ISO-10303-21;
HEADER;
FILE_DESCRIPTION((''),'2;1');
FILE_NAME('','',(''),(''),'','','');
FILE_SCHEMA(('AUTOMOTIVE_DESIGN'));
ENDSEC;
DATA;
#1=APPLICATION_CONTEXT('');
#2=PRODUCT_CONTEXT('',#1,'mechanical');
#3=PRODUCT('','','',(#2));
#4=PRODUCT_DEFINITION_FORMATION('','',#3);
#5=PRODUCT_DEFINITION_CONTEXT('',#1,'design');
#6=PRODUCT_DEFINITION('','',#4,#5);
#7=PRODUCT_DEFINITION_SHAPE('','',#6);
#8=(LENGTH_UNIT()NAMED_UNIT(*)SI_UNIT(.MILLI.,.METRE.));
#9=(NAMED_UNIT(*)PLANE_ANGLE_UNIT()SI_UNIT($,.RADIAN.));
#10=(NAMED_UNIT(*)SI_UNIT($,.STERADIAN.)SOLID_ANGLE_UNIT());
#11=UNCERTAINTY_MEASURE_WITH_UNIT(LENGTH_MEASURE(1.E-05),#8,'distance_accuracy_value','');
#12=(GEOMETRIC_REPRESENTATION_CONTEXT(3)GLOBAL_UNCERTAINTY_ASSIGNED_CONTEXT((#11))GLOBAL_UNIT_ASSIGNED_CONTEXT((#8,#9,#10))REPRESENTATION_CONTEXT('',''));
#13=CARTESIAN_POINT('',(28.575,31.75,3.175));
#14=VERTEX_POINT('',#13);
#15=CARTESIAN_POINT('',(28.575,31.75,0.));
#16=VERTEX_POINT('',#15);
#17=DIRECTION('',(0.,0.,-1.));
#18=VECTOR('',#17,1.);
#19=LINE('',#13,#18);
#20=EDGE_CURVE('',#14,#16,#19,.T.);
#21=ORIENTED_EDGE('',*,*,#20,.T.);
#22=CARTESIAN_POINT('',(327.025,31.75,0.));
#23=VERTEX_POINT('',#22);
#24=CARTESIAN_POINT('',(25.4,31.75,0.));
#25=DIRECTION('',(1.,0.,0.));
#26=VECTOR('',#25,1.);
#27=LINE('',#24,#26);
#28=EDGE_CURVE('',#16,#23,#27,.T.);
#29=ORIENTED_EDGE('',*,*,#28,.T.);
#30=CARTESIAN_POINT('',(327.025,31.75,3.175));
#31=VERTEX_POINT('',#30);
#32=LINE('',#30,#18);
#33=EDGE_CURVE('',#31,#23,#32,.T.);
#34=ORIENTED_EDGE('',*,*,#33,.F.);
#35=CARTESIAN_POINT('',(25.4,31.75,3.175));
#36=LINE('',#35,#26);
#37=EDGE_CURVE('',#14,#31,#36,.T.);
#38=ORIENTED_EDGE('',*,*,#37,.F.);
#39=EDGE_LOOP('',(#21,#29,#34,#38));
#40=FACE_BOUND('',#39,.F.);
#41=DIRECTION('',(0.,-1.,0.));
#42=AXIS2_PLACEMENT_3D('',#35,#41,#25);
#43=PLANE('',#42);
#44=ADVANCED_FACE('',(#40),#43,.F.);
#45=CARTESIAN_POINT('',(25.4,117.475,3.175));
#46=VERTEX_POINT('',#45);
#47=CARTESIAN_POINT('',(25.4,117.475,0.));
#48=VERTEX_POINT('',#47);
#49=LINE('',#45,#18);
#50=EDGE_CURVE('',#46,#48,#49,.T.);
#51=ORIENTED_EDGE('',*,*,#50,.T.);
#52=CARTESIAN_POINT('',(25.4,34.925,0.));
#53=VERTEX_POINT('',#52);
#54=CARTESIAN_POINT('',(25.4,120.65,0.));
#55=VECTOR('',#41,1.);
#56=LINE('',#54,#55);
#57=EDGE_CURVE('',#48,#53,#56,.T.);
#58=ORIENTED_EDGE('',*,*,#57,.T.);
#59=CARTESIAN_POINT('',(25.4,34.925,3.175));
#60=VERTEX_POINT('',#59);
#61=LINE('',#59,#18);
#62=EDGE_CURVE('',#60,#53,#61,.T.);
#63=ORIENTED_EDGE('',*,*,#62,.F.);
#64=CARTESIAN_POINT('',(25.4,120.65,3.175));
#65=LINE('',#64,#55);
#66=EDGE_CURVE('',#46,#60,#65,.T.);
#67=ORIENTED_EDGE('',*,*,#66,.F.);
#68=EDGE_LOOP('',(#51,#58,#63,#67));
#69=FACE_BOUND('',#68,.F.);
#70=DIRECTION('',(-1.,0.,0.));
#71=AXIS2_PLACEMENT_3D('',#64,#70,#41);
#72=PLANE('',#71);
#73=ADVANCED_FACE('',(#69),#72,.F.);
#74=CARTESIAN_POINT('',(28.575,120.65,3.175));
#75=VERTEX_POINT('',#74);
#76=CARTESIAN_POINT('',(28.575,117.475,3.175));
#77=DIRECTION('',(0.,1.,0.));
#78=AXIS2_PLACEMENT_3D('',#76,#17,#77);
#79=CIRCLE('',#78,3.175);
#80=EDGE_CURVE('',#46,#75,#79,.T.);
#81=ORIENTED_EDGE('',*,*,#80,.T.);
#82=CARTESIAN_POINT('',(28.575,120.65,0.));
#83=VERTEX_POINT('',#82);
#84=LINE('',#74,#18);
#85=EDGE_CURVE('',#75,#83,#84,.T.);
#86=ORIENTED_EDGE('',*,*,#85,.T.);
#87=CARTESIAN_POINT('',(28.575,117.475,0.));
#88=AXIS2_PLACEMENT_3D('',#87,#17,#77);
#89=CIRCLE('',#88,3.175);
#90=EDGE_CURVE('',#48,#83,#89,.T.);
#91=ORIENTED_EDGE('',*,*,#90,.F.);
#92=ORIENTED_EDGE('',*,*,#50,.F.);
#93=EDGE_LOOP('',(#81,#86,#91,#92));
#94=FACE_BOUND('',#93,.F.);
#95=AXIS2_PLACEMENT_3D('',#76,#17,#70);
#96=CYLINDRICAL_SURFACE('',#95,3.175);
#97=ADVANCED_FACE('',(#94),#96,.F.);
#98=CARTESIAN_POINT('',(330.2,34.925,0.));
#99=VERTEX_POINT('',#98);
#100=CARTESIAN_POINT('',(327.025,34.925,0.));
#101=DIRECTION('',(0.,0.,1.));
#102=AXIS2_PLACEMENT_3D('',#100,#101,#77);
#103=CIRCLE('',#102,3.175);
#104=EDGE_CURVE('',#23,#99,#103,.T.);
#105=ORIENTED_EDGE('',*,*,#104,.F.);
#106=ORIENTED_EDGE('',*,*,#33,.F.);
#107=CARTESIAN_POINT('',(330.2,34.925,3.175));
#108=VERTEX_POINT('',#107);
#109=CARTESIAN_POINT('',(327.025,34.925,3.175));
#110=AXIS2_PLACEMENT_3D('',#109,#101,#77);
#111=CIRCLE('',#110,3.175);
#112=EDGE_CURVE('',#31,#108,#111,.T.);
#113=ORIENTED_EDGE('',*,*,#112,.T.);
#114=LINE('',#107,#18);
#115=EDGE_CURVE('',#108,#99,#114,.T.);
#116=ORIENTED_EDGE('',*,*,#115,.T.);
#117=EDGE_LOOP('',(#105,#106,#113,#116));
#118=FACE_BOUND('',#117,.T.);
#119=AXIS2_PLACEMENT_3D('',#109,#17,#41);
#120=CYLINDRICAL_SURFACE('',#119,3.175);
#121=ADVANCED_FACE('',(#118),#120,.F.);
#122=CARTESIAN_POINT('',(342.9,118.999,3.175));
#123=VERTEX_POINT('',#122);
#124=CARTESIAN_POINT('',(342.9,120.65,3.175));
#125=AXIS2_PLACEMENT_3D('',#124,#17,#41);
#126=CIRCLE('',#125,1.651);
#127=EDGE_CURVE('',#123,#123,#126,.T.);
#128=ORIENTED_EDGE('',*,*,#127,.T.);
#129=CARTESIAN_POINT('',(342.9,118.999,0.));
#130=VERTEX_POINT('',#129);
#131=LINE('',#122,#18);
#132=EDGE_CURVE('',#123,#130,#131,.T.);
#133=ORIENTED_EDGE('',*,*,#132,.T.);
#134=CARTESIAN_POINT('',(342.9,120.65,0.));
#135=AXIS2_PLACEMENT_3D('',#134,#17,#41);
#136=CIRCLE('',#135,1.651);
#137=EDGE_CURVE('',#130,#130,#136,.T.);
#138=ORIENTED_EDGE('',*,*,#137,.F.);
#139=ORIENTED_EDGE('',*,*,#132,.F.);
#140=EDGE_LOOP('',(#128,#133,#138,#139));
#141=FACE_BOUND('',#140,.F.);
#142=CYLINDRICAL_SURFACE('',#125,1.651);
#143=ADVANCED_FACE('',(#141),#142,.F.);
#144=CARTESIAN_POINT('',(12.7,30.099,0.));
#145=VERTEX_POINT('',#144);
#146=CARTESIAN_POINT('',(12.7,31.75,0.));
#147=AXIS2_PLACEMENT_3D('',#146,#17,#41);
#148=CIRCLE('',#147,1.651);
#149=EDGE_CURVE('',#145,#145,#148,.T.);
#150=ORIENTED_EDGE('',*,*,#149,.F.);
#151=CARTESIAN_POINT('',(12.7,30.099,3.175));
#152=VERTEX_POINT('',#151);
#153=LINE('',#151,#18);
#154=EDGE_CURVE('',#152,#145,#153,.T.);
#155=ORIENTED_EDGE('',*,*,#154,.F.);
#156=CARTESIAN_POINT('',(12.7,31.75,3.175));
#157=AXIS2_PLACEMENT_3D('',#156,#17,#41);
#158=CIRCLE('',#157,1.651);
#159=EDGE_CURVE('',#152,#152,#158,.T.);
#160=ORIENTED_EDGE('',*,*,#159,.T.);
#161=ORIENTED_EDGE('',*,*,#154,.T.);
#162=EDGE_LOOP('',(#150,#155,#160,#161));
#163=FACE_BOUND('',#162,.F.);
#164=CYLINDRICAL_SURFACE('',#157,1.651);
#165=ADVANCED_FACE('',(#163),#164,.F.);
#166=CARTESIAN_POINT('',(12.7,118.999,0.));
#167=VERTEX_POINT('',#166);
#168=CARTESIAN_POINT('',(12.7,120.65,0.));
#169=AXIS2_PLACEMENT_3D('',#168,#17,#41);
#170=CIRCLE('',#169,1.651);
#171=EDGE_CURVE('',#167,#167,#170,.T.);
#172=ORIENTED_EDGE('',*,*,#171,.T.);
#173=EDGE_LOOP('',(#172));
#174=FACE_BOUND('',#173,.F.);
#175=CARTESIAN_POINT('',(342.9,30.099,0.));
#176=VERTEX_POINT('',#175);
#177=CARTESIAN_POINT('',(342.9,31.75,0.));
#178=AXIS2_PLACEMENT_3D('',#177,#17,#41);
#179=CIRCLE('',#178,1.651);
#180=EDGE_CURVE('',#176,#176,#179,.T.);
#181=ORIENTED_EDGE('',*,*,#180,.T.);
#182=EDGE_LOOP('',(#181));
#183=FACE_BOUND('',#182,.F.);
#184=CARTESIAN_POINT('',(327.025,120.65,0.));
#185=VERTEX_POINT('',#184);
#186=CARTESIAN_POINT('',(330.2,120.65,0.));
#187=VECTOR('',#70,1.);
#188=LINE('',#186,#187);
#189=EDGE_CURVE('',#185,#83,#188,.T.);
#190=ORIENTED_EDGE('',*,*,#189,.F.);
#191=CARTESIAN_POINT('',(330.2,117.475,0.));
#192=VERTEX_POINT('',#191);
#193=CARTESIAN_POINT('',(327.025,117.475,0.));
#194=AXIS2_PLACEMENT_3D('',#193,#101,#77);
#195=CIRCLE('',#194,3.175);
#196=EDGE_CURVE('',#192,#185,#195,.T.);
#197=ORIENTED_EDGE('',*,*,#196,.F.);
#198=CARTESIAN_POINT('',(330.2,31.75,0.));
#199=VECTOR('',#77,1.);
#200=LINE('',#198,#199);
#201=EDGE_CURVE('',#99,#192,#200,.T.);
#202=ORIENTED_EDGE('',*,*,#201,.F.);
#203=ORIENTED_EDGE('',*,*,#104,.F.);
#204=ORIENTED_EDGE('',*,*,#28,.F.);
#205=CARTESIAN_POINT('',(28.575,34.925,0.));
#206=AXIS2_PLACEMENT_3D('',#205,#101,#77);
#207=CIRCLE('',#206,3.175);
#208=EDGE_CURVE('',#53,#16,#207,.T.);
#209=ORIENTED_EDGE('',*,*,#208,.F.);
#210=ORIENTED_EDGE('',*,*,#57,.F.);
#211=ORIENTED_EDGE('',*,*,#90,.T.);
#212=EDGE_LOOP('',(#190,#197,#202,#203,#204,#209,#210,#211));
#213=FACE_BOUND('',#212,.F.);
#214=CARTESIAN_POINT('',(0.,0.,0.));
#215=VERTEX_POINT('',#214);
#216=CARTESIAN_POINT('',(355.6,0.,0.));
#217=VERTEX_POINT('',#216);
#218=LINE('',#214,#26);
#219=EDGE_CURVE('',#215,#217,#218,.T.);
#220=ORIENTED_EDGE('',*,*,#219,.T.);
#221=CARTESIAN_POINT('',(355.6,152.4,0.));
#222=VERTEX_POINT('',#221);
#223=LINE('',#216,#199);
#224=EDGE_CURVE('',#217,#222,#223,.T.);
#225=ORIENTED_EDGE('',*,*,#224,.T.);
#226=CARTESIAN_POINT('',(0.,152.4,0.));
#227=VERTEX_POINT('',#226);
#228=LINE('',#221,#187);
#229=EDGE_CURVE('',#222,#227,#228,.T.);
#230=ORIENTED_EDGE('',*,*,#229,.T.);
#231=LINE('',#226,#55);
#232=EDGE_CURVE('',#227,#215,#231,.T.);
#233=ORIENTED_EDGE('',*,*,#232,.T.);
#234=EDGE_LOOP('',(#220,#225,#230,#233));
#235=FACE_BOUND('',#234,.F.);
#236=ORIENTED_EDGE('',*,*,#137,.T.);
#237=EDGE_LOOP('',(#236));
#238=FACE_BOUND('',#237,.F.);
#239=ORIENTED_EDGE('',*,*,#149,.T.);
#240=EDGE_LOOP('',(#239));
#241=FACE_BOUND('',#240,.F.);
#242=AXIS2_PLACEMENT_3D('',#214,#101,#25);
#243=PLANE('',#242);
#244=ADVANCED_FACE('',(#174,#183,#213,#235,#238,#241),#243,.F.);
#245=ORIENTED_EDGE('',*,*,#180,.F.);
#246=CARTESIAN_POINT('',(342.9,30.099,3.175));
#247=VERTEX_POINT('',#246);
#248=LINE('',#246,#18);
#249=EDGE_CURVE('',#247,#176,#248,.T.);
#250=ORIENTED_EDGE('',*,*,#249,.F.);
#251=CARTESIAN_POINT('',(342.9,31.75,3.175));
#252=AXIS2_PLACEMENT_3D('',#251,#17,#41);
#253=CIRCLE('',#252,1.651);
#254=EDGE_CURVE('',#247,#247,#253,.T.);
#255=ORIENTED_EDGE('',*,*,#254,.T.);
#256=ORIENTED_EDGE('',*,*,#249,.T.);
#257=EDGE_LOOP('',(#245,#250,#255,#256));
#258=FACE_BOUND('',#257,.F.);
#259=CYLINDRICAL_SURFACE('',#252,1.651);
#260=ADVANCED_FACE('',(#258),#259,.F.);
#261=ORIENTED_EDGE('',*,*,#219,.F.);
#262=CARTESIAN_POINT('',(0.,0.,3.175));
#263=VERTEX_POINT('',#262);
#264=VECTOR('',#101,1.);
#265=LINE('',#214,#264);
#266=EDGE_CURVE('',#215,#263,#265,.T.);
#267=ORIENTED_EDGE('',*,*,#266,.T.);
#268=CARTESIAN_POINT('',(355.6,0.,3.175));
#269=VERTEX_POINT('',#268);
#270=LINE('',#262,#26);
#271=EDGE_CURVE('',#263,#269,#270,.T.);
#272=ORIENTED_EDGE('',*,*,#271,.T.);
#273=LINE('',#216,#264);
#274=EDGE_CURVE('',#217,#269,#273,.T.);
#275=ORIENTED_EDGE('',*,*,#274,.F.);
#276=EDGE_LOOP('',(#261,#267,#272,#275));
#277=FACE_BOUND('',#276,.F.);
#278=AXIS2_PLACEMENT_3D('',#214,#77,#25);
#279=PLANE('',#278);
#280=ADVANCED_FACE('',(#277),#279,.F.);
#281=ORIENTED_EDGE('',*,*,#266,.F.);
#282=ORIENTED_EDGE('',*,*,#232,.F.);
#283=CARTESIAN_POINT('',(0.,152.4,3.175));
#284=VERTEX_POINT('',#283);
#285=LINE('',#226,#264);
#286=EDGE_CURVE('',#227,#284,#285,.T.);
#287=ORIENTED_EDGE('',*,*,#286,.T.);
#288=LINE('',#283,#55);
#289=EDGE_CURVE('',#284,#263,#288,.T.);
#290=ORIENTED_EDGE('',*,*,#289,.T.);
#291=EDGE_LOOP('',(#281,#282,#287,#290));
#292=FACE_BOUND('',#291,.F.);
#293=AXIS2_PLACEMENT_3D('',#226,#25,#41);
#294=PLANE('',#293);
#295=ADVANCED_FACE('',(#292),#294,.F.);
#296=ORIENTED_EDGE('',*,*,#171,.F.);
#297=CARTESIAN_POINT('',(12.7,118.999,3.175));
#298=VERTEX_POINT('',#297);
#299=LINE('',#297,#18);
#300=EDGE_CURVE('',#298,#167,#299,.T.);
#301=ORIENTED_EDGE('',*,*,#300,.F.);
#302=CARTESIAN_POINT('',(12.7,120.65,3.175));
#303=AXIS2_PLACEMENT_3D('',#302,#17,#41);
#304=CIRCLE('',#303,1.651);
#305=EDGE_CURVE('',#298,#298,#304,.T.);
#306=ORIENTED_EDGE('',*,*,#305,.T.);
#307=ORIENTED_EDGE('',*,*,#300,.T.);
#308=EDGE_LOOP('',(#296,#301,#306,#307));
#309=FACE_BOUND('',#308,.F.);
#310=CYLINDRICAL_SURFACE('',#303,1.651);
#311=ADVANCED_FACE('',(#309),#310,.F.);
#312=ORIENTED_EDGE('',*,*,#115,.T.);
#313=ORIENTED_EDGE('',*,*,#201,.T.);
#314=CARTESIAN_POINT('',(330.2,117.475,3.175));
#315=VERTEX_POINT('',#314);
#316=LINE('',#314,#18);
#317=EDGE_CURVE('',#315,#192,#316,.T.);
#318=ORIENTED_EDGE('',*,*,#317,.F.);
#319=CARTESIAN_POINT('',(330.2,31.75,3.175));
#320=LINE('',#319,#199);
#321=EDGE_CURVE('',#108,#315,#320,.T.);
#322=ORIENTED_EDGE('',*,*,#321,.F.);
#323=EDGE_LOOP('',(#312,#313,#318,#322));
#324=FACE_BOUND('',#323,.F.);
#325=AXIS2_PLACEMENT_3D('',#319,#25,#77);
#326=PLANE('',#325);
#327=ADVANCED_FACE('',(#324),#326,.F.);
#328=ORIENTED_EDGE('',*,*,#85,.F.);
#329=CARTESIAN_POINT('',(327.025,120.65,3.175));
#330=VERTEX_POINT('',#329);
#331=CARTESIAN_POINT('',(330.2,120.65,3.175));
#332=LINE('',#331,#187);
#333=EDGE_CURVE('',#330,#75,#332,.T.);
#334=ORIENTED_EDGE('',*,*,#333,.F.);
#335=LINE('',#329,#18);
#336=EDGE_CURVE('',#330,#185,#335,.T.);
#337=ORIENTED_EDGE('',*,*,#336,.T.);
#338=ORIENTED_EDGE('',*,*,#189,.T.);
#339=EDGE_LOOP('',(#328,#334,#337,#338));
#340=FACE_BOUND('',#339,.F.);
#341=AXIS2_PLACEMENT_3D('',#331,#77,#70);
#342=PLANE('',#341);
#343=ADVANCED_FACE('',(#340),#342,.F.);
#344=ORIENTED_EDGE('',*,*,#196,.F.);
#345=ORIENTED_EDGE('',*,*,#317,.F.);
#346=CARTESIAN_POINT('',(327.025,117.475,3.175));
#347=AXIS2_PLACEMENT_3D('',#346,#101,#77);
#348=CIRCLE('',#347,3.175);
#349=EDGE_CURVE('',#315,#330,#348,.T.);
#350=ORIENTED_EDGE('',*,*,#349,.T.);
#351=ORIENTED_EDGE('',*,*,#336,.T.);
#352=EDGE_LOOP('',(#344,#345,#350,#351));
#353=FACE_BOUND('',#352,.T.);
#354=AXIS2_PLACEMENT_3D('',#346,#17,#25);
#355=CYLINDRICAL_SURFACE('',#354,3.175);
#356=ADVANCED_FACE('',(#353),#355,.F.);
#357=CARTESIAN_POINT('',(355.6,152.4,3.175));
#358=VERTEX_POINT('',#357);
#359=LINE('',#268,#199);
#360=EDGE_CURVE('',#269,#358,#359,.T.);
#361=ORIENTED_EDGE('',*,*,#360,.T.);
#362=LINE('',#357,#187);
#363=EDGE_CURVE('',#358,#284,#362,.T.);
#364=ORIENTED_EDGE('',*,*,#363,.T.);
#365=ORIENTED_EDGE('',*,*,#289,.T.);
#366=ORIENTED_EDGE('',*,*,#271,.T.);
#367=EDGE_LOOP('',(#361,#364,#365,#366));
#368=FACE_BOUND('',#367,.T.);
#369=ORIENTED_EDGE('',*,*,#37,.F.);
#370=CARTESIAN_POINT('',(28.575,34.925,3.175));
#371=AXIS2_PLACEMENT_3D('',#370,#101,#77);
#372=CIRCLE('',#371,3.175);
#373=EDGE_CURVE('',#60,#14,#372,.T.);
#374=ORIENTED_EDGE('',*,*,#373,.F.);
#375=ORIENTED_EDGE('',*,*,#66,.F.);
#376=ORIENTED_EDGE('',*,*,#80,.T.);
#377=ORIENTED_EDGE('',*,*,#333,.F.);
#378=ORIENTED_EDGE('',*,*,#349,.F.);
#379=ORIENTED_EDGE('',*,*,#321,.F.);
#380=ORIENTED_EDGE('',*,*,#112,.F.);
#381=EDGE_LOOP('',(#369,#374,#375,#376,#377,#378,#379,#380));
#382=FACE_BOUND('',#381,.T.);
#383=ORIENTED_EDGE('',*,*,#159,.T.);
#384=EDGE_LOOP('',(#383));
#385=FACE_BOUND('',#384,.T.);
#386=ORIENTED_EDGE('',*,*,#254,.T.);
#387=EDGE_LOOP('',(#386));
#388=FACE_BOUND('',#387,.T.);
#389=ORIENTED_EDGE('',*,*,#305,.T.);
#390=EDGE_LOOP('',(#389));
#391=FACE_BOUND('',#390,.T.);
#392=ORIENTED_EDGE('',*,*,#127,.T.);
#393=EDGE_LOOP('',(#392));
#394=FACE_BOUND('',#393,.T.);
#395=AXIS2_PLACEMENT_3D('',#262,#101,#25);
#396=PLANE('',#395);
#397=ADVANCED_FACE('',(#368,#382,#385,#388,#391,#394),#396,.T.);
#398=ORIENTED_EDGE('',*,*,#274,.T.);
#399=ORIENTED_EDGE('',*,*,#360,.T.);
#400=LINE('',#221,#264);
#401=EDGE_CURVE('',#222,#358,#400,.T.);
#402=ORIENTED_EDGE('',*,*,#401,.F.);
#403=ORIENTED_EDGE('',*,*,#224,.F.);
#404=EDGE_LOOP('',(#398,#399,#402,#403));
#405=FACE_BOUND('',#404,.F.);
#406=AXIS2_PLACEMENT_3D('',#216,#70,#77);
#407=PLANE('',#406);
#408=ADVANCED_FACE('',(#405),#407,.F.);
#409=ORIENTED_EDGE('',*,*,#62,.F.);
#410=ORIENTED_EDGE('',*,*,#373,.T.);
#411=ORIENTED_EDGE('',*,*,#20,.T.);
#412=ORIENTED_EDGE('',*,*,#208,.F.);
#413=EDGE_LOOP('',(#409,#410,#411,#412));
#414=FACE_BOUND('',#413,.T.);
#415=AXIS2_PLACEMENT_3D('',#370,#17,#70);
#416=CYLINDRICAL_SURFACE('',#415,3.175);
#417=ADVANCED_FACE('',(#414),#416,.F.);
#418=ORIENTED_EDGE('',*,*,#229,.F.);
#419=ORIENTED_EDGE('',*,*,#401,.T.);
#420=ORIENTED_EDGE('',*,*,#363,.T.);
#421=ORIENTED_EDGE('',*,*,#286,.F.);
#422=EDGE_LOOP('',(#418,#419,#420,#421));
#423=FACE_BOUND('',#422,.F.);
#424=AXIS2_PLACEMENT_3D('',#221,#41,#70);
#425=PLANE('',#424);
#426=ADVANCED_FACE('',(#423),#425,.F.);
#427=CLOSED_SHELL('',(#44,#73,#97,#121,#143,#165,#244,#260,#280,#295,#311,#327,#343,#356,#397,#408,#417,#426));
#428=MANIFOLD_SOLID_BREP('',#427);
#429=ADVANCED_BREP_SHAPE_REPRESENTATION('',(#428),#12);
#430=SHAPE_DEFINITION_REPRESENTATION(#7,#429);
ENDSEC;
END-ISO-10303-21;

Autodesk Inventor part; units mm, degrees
ref_plane "YZ Plane" through (0, 0, 0) normal (1, 0, 0) x (0, 1, 0)
ref_plane "XZ Plane" through (0, 0, 0) normal (0, 1, 0) x (-1, 0, 0)
ref_plane "XY Plane" through (0, 0, 0) normal (0, 0, 1) x (1, 0, 0)
sketch "Sketch1" plane through (0, 0, 0) normal (0, 0, 1) x (1, 0, 0)
  line L0 (0, 0) -> (355.6, 0)
  line L1 (355.6, 0) -> (355.6, 152.4)
  line L2 (355.6, 152.4) -> (0, 152.4)
  line L3 (0, 152.4) -> (0, 0)
  dimension "d0" = 152.4
  dimension "d1" = 355.6
extrude "Extrusion1" add sketch "Sketch1" along normal blind 3.175
sketch "Sketch2" plane through (0, 0, 3.175) normal (0, 0, 1) x (1, 0, 0)
  line L0 (355.6, 0) -> (355.6, 152.4) projected
  line L1 (0, 152.4) -> (0, 0) projected
  line L2 (355.6, 152.4) -> (0, 152.4) projected
  line L3 (0, 0) -> (355.6, 0) projected
  point P0 (12.7, 31.75)
  point P1 (12.7, 120.65)
  point P2 (342.9, 120.65)
  point P3 (342.9, 31.75)
  dimension "d4" = 12.7
  dimension "d5" = 12.7
  dimension "d6" = 12.7
  dimension "d7" = 12.7
  dimension "d8" = 31.75
  dimension "d9" = 31.75
  dimension "d10" = 31.75
  dimension "d11" = 31.75
hole "Hole1" at (12.7, 31.75, 3.175) at (12.7, 120.65, 3.175) at (342.9, 120.65, 3.175) at (342.9, 31.75, 3.175) direction (0, 0, -1) diameter 3.302 end through all thread size "8-32 UNC" class "2B" standard "ANSI Unified Screw Threads"
sketch "Sketch3" plane through (0, 0, 3.175) normal (0, 0, 1) x (1, 0, 0)
  line L0 (25.4, 31.75) -> (330.2, 31.75)
  line L1 (330.2, 31.75) -> (330.2, 120.65)
  line L2 (330.2, 120.65) -> (25.4, 120.65)
  line L3 (25.4, 120.65) -> (25.4, 31.75)
  line L4 (0, 152.4) -> (0, 0) projected
  circle A0 centre (342.9, 120.65) radius 1.651 projected
  circle A1 centre (12.7, 31.75) radius 1.651 projected
  circle A2 centre (12.7, 120.65) radius 1.651 projected
  circle A3 centre (342.9, 31.75) radius 1.651 projected
  line L5 (0, 0) -> (355.6, 0) projected
  line L6 (355.6, 0) -> (355.6, 152.4) projected
  line L7 (355.6, 152.4) -> (0, 152.4) projected
  line L8 (0, 152.4) -> (0, 0) projected
  dimension "d27" = 25.4
  dimension "d28" = 304.8
  dimension "d29" = 31.75
  dimension "d30" = 88.9
extrude "Extrusion2" cut sketch "Sketch3" against normal blind 3.175 contours L3 L2 L1 L0
fillet "Fillet1" radius 3.175 4 edges at (25.4, 31.75, 1.5875) (25.4, 120.65, 1.5875) (330.2, 120.65, 1.5875) (330.2, 31.75, 1.5875)
equation "\"d5\" = d4"
equation "\"d6\" = d4"
equation "\"d7\" = d4"
equation "\"d9\" = d8"
equation "\"d10\" = d8"
equation "\"d11\" = d8"
properties part number "LFEV2017_TSI_003"
